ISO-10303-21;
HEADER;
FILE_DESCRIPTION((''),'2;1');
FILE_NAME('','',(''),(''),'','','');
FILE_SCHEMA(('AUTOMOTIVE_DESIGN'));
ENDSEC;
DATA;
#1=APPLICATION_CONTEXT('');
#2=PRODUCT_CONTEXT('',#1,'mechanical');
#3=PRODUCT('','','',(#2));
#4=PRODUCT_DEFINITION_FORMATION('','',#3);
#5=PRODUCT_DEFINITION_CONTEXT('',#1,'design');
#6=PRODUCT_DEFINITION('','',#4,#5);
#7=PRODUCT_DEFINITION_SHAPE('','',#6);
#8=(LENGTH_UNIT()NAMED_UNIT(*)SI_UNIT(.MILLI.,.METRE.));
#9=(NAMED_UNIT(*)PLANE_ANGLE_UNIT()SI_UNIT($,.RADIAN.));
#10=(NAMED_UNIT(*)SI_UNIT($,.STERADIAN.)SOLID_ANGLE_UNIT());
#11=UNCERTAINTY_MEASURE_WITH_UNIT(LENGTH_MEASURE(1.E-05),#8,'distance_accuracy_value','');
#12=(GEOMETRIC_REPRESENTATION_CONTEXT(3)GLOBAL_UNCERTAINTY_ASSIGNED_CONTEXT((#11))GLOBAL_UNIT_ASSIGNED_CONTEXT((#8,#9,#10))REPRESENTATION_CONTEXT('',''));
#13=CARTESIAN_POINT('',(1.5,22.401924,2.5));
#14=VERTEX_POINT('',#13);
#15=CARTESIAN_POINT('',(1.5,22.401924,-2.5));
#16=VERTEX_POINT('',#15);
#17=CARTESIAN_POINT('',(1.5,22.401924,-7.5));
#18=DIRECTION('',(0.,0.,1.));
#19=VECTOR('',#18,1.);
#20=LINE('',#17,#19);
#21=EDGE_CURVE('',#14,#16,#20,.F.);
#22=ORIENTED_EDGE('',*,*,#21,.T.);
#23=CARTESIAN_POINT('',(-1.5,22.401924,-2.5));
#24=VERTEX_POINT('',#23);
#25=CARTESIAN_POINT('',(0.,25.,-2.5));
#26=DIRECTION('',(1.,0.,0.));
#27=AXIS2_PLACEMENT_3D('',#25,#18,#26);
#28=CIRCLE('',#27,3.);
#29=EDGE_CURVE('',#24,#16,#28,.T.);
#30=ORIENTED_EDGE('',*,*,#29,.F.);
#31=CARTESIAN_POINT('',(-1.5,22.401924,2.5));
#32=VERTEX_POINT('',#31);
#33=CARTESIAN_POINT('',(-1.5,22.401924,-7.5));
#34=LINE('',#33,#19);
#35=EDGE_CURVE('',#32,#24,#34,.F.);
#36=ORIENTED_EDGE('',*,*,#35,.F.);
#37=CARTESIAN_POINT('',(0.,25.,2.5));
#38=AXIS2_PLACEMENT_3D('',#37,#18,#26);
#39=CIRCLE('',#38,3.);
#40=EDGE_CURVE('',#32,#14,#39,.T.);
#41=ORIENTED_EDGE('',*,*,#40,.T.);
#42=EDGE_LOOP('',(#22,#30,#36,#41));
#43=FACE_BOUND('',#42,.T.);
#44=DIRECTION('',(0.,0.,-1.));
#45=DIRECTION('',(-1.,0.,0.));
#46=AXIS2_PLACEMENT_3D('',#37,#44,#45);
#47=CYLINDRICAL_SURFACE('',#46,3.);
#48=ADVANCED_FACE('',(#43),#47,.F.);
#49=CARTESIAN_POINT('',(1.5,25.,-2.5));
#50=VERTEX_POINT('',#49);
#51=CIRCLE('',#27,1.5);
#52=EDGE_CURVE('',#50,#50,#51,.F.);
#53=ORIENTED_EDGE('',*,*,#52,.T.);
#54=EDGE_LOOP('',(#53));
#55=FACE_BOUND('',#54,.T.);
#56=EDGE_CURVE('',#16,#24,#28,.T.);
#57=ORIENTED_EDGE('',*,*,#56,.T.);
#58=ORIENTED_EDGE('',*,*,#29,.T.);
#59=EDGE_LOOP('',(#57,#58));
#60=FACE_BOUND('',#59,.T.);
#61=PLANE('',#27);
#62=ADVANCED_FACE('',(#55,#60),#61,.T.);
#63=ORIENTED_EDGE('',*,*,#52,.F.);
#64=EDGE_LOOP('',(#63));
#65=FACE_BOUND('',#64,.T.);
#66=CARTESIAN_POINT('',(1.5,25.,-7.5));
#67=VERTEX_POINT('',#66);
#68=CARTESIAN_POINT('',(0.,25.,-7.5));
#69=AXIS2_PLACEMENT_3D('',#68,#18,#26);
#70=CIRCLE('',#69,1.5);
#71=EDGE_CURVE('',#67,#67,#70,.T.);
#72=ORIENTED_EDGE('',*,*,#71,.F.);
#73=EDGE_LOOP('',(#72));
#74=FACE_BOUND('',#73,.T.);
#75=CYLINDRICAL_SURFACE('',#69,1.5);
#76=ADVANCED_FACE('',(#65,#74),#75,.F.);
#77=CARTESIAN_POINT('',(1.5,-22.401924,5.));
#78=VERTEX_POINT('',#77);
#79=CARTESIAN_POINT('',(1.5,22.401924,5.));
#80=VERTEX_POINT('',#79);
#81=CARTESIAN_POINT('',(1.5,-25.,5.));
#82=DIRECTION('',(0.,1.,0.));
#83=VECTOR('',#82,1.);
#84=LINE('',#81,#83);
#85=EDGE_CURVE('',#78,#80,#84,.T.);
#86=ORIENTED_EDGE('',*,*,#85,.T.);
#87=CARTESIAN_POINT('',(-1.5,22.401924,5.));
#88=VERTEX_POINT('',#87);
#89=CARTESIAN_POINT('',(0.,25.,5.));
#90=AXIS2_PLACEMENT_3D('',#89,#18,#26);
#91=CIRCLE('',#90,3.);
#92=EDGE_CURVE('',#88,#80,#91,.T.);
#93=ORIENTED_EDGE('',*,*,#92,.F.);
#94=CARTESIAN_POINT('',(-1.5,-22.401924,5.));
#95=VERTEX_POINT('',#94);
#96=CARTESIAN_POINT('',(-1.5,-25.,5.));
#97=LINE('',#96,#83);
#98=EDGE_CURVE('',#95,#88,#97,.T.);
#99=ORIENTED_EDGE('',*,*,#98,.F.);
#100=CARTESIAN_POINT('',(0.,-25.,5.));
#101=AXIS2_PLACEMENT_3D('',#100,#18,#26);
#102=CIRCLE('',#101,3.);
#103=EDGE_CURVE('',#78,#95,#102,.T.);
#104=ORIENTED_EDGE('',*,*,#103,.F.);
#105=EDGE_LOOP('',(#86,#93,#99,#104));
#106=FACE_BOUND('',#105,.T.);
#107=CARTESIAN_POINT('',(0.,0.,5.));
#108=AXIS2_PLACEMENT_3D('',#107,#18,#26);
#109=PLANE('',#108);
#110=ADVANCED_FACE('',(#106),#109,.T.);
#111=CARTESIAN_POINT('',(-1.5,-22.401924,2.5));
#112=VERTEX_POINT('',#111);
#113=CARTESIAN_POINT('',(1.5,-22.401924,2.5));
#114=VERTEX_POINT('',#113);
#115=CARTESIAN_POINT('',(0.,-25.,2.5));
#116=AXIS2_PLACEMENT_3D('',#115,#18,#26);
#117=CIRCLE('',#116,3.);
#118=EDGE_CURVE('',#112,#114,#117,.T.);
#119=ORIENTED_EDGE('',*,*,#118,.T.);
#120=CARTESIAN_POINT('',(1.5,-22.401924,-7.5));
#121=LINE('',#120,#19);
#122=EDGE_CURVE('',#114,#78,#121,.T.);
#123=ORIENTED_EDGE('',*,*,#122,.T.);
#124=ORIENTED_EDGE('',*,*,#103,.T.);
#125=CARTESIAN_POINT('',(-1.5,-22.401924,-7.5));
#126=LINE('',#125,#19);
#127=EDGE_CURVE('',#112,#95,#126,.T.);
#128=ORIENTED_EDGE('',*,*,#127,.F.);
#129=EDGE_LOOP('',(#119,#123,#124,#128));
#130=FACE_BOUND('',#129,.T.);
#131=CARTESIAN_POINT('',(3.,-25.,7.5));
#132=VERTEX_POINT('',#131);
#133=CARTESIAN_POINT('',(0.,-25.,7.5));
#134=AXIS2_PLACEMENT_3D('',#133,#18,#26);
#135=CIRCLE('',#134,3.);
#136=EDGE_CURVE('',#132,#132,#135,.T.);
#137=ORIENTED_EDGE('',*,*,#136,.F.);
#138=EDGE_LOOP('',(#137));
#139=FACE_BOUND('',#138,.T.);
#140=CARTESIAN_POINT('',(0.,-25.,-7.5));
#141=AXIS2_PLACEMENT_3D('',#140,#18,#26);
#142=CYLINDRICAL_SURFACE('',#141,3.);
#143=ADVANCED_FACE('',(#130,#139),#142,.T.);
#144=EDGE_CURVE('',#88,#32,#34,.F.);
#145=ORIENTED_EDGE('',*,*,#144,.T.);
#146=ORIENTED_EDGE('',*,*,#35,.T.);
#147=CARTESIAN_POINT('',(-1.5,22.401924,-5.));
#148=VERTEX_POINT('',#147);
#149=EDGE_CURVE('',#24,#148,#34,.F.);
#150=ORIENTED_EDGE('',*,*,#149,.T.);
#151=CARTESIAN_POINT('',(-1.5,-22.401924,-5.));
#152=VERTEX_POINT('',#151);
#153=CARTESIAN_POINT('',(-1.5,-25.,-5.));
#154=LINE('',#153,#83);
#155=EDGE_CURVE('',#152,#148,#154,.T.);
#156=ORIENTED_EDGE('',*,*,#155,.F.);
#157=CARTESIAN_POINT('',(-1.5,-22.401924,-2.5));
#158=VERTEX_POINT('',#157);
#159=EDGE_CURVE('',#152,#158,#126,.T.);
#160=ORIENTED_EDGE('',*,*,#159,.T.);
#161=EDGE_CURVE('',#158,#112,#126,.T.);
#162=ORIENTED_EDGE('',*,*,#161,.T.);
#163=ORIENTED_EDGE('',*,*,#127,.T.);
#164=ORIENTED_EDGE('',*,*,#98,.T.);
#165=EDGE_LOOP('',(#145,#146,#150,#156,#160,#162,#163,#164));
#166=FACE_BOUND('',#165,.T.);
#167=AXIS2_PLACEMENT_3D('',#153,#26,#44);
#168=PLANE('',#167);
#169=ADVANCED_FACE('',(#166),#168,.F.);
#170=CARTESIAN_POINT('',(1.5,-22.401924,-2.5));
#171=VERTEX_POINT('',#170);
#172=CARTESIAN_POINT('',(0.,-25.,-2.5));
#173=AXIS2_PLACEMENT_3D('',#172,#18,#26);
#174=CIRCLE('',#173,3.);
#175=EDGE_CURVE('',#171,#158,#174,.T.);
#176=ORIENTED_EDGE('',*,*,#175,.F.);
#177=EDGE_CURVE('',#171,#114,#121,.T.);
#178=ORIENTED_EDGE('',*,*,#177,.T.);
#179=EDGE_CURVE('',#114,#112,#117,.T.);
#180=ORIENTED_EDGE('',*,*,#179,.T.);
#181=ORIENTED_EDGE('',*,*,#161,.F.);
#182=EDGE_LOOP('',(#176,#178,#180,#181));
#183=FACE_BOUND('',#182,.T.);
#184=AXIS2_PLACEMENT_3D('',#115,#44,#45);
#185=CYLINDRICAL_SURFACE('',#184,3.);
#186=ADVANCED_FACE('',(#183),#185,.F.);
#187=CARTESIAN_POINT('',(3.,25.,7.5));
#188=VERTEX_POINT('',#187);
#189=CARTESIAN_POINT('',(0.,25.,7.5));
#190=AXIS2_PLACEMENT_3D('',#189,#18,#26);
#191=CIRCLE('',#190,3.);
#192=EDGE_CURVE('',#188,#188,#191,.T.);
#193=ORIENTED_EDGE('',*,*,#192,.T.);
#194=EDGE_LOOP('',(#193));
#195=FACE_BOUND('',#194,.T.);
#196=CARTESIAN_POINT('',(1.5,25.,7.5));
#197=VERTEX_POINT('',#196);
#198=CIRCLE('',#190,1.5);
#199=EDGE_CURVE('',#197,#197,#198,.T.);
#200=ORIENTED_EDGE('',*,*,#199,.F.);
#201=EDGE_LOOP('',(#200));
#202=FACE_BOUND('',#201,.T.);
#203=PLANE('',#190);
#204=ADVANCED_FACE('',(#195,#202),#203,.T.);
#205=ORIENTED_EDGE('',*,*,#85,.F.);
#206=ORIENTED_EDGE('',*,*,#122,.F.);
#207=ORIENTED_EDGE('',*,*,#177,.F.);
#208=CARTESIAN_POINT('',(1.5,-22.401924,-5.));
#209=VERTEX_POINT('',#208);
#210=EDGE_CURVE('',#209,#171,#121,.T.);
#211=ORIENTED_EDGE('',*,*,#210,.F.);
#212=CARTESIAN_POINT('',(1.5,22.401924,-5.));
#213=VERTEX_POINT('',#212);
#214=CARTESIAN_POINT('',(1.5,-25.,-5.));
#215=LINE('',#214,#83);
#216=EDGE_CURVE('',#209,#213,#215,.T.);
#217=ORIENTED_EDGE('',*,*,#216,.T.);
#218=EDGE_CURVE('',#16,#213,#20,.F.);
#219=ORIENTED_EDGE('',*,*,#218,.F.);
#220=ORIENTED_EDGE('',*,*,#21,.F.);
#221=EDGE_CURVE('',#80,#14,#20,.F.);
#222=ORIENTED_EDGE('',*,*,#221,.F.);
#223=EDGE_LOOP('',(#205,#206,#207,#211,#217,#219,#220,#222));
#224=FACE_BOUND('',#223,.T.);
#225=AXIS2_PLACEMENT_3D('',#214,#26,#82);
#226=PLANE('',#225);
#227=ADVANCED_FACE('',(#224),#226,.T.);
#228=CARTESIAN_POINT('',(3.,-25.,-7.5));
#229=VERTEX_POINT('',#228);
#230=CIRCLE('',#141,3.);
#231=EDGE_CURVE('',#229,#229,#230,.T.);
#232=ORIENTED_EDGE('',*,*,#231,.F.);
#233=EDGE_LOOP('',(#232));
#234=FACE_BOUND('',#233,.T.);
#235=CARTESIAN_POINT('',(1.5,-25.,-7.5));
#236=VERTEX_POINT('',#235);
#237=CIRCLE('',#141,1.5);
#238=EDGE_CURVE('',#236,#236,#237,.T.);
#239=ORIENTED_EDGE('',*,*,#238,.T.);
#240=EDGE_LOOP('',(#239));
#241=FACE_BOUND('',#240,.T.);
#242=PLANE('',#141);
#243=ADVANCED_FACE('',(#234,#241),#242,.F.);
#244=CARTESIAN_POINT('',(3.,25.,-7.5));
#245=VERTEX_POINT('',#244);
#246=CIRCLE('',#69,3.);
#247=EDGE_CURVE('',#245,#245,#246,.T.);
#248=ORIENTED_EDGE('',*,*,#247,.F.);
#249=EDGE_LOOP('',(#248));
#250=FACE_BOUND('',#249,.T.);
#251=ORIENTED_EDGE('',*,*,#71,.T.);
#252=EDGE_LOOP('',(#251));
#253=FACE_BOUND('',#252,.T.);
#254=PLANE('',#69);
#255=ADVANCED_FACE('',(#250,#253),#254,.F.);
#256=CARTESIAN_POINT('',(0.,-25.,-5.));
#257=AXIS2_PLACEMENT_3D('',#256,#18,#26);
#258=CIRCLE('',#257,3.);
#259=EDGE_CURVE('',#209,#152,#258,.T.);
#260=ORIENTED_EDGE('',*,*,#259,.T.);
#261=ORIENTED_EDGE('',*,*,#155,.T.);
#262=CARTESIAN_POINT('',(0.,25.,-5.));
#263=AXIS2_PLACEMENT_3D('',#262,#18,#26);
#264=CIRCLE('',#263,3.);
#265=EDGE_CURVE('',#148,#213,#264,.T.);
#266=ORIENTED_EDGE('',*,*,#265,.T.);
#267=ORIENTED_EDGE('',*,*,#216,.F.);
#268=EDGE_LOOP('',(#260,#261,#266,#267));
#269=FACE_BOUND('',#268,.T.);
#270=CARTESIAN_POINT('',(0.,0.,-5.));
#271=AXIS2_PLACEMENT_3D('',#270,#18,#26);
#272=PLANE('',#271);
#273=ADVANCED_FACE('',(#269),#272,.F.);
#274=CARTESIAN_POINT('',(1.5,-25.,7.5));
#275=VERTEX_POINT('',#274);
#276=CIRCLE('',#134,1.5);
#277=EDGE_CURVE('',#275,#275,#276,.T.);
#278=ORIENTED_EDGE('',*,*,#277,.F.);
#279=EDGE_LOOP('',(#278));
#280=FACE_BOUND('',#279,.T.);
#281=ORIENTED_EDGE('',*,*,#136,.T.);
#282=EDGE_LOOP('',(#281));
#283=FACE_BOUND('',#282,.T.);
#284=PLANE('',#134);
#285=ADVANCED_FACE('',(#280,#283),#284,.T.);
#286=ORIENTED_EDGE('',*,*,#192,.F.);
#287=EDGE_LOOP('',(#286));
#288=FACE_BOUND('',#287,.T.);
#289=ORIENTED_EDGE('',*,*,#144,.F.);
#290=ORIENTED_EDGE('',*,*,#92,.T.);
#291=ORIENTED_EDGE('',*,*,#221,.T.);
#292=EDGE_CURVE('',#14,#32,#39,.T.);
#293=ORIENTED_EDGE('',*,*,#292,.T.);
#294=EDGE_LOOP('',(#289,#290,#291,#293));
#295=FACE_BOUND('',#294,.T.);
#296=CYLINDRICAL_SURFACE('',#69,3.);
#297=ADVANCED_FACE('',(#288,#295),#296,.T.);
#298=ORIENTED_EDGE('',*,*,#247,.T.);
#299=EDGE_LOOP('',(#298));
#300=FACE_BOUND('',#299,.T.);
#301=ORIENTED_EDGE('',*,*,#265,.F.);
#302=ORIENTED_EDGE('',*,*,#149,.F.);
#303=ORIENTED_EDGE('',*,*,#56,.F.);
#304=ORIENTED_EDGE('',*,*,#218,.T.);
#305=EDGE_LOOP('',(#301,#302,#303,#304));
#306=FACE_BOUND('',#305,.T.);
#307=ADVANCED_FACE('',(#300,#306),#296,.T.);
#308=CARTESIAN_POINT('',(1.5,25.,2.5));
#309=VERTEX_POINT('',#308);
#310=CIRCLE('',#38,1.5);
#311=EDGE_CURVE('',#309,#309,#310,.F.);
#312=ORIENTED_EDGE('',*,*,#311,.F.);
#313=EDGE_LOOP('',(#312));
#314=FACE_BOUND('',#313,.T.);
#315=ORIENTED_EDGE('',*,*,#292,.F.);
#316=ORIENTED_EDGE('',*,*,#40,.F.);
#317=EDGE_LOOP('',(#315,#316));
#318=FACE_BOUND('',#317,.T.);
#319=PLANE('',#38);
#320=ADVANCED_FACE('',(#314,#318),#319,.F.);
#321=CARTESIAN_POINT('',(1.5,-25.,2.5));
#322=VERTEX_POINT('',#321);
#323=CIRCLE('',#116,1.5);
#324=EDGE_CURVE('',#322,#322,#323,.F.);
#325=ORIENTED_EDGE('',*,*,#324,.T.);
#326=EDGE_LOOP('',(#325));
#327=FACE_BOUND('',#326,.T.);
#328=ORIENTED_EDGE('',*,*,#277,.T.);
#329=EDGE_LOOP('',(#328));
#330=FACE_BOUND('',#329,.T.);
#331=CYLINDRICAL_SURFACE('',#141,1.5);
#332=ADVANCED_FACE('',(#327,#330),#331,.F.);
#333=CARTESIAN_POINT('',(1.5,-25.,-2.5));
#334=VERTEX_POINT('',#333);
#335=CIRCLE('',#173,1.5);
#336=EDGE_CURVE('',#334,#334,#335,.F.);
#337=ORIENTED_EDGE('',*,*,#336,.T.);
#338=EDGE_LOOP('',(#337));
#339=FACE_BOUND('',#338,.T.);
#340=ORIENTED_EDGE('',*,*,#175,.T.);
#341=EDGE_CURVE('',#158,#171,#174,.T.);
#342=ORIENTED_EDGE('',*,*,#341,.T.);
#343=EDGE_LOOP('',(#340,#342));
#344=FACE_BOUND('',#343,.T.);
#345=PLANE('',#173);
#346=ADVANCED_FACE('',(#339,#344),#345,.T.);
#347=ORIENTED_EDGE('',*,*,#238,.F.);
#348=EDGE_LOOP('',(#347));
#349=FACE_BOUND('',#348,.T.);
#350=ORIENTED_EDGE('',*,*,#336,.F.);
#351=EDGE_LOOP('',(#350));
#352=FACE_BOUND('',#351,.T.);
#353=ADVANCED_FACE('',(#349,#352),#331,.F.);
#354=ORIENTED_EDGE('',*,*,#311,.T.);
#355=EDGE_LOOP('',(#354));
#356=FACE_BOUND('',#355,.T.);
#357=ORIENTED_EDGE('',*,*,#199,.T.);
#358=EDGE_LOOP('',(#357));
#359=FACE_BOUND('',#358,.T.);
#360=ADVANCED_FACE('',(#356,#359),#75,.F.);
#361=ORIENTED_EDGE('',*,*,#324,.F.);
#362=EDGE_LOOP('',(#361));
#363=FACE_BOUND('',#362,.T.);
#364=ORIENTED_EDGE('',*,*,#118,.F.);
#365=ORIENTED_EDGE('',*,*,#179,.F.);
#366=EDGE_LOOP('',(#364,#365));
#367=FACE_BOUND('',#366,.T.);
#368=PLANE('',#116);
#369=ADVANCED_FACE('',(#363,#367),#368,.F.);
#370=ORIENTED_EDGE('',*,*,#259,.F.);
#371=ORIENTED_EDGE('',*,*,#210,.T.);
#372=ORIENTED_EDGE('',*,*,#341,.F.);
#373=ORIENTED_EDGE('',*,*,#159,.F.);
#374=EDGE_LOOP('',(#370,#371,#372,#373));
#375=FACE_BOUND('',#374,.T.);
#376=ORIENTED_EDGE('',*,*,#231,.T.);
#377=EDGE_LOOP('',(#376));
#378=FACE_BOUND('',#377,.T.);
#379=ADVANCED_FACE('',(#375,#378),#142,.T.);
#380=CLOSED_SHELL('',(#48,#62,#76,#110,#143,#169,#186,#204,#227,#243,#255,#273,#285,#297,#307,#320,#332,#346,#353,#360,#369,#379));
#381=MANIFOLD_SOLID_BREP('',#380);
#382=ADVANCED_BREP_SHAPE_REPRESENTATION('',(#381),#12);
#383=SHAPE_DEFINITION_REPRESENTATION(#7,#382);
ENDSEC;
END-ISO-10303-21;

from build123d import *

# Parameters (mm, degrees)
SALIENTE_EXTRUIR1_DEPTH      = 5
SALIENTE_EXTRUIR1_DEPTH_BACK = 5
CROQUIS1_W                   = 3
CROQUIS1_H                   = 50
SALIENTE_EXTRUIR3_DEPTH      = 7.5
SALIENTE_EXTRUIR3_DEPTH_BACK = 7.5
CROQUIS1_4_R                 = 3
CROQUIS1_4_R_2               = 1.5
CORTAR_EXTRUIR1_DEPTH        = 2.5
CORTAR_EXTRUIR1_DEPTH_BACK   = 2.5
CROQUIS1_5_R                 = 3
CORTAR_EXTRUIR2_DEPTH        = 10
CORTAR_EXTRUIR2_DEPTH_BACK   = 10
CROQUIS1_6_R                 = 1.5


with BuildPart() as part:
    # Croquis1 → Saliente-Extruir1 (new, two sides: drawn at the far end of the back side and taken through both)
    with BuildSketch(Plane.XY.offset(-SALIENTE_EXTRUIR1_DEPTH_BACK)):
        Rectangle(CROQUIS1_W, CROQUIS1_H)
    extrude(amount=SALIENTE_EXTRUIR1_DEPTH + SALIENTE_EXTRUIR1_DEPTH_BACK)

    # Croquis1<4> → Saliente-Extruir3 (add, two sides: drawn at the far end of the back side and taken through both)
    # profile 1 of 2: a face of its own
    with BuildSketch(Plane.XY.offset(-SALIENTE_EXTRUIR3_DEPTH_BACK)):
        with Locations((0, 25)):
            Circle(CROQUIS1_4_R)
        with Locations((0, 25)):
            Circle(CROQUIS1_4_R_2, mode=Mode.SUBTRACT)
    # profile 2 of 2: a face of its own
    with BuildSketch(Plane.XY.offset(-SALIENTE_EXTRUIR3_DEPTH_BACK)):
        with Locations((0, -25)):
            Circle(CROQUIS1_4_R)
        with Locations((0, -25)):
            Circle(CROQUIS1_4_R_2, mode=Mode.SUBTRACT)
    extrude(amount=SALIENTE_EXTRUIR3_DEPTH + SALIENTE_EXTRUIR3_DEPTH_BACK)

    # Croquis1<5> → Cortar-Extruir1 (cut, two sides: drawn at the far end of the back side and taken through both)
    with BuildSketch(Plane.XY.offset(-CORTAR_EXTRUIR1_DEPTH_BACK)):
        with Locations((0, 25)):
            Circle(CROQUIS1_5_R)
        with Locations((0, -25)):
            Circle(CROQUIS1_5_R)
    extrude(amount=CORTAR_EXTRUIR1_DEPTH + CORTAR_EXTRUIR1_DEPTH_BACK, mode=Mode.SUBTRACT)

    # Croquis1<6> → Cortar-Extruir2 (cut, two sides: drawn at the far end of the back side and taken through both)
    with BuildSketch(Plane.XY.offset(-CORTAR_EXTRUIR2_DEPTH_BACK)):
        with Locations((0, 25)):
            Circle(CROQUIS1_6_R)
        with Locations((0, -25)):
            Circle(CROQUIS1_6_R)
    extrude(amount=CORTAR_EXTRUIR2_DEPTH + CORTAR_EXTRUIR2_DEPTH_BACK, mode=Mode.SUBTRACT)


solid = part.part
